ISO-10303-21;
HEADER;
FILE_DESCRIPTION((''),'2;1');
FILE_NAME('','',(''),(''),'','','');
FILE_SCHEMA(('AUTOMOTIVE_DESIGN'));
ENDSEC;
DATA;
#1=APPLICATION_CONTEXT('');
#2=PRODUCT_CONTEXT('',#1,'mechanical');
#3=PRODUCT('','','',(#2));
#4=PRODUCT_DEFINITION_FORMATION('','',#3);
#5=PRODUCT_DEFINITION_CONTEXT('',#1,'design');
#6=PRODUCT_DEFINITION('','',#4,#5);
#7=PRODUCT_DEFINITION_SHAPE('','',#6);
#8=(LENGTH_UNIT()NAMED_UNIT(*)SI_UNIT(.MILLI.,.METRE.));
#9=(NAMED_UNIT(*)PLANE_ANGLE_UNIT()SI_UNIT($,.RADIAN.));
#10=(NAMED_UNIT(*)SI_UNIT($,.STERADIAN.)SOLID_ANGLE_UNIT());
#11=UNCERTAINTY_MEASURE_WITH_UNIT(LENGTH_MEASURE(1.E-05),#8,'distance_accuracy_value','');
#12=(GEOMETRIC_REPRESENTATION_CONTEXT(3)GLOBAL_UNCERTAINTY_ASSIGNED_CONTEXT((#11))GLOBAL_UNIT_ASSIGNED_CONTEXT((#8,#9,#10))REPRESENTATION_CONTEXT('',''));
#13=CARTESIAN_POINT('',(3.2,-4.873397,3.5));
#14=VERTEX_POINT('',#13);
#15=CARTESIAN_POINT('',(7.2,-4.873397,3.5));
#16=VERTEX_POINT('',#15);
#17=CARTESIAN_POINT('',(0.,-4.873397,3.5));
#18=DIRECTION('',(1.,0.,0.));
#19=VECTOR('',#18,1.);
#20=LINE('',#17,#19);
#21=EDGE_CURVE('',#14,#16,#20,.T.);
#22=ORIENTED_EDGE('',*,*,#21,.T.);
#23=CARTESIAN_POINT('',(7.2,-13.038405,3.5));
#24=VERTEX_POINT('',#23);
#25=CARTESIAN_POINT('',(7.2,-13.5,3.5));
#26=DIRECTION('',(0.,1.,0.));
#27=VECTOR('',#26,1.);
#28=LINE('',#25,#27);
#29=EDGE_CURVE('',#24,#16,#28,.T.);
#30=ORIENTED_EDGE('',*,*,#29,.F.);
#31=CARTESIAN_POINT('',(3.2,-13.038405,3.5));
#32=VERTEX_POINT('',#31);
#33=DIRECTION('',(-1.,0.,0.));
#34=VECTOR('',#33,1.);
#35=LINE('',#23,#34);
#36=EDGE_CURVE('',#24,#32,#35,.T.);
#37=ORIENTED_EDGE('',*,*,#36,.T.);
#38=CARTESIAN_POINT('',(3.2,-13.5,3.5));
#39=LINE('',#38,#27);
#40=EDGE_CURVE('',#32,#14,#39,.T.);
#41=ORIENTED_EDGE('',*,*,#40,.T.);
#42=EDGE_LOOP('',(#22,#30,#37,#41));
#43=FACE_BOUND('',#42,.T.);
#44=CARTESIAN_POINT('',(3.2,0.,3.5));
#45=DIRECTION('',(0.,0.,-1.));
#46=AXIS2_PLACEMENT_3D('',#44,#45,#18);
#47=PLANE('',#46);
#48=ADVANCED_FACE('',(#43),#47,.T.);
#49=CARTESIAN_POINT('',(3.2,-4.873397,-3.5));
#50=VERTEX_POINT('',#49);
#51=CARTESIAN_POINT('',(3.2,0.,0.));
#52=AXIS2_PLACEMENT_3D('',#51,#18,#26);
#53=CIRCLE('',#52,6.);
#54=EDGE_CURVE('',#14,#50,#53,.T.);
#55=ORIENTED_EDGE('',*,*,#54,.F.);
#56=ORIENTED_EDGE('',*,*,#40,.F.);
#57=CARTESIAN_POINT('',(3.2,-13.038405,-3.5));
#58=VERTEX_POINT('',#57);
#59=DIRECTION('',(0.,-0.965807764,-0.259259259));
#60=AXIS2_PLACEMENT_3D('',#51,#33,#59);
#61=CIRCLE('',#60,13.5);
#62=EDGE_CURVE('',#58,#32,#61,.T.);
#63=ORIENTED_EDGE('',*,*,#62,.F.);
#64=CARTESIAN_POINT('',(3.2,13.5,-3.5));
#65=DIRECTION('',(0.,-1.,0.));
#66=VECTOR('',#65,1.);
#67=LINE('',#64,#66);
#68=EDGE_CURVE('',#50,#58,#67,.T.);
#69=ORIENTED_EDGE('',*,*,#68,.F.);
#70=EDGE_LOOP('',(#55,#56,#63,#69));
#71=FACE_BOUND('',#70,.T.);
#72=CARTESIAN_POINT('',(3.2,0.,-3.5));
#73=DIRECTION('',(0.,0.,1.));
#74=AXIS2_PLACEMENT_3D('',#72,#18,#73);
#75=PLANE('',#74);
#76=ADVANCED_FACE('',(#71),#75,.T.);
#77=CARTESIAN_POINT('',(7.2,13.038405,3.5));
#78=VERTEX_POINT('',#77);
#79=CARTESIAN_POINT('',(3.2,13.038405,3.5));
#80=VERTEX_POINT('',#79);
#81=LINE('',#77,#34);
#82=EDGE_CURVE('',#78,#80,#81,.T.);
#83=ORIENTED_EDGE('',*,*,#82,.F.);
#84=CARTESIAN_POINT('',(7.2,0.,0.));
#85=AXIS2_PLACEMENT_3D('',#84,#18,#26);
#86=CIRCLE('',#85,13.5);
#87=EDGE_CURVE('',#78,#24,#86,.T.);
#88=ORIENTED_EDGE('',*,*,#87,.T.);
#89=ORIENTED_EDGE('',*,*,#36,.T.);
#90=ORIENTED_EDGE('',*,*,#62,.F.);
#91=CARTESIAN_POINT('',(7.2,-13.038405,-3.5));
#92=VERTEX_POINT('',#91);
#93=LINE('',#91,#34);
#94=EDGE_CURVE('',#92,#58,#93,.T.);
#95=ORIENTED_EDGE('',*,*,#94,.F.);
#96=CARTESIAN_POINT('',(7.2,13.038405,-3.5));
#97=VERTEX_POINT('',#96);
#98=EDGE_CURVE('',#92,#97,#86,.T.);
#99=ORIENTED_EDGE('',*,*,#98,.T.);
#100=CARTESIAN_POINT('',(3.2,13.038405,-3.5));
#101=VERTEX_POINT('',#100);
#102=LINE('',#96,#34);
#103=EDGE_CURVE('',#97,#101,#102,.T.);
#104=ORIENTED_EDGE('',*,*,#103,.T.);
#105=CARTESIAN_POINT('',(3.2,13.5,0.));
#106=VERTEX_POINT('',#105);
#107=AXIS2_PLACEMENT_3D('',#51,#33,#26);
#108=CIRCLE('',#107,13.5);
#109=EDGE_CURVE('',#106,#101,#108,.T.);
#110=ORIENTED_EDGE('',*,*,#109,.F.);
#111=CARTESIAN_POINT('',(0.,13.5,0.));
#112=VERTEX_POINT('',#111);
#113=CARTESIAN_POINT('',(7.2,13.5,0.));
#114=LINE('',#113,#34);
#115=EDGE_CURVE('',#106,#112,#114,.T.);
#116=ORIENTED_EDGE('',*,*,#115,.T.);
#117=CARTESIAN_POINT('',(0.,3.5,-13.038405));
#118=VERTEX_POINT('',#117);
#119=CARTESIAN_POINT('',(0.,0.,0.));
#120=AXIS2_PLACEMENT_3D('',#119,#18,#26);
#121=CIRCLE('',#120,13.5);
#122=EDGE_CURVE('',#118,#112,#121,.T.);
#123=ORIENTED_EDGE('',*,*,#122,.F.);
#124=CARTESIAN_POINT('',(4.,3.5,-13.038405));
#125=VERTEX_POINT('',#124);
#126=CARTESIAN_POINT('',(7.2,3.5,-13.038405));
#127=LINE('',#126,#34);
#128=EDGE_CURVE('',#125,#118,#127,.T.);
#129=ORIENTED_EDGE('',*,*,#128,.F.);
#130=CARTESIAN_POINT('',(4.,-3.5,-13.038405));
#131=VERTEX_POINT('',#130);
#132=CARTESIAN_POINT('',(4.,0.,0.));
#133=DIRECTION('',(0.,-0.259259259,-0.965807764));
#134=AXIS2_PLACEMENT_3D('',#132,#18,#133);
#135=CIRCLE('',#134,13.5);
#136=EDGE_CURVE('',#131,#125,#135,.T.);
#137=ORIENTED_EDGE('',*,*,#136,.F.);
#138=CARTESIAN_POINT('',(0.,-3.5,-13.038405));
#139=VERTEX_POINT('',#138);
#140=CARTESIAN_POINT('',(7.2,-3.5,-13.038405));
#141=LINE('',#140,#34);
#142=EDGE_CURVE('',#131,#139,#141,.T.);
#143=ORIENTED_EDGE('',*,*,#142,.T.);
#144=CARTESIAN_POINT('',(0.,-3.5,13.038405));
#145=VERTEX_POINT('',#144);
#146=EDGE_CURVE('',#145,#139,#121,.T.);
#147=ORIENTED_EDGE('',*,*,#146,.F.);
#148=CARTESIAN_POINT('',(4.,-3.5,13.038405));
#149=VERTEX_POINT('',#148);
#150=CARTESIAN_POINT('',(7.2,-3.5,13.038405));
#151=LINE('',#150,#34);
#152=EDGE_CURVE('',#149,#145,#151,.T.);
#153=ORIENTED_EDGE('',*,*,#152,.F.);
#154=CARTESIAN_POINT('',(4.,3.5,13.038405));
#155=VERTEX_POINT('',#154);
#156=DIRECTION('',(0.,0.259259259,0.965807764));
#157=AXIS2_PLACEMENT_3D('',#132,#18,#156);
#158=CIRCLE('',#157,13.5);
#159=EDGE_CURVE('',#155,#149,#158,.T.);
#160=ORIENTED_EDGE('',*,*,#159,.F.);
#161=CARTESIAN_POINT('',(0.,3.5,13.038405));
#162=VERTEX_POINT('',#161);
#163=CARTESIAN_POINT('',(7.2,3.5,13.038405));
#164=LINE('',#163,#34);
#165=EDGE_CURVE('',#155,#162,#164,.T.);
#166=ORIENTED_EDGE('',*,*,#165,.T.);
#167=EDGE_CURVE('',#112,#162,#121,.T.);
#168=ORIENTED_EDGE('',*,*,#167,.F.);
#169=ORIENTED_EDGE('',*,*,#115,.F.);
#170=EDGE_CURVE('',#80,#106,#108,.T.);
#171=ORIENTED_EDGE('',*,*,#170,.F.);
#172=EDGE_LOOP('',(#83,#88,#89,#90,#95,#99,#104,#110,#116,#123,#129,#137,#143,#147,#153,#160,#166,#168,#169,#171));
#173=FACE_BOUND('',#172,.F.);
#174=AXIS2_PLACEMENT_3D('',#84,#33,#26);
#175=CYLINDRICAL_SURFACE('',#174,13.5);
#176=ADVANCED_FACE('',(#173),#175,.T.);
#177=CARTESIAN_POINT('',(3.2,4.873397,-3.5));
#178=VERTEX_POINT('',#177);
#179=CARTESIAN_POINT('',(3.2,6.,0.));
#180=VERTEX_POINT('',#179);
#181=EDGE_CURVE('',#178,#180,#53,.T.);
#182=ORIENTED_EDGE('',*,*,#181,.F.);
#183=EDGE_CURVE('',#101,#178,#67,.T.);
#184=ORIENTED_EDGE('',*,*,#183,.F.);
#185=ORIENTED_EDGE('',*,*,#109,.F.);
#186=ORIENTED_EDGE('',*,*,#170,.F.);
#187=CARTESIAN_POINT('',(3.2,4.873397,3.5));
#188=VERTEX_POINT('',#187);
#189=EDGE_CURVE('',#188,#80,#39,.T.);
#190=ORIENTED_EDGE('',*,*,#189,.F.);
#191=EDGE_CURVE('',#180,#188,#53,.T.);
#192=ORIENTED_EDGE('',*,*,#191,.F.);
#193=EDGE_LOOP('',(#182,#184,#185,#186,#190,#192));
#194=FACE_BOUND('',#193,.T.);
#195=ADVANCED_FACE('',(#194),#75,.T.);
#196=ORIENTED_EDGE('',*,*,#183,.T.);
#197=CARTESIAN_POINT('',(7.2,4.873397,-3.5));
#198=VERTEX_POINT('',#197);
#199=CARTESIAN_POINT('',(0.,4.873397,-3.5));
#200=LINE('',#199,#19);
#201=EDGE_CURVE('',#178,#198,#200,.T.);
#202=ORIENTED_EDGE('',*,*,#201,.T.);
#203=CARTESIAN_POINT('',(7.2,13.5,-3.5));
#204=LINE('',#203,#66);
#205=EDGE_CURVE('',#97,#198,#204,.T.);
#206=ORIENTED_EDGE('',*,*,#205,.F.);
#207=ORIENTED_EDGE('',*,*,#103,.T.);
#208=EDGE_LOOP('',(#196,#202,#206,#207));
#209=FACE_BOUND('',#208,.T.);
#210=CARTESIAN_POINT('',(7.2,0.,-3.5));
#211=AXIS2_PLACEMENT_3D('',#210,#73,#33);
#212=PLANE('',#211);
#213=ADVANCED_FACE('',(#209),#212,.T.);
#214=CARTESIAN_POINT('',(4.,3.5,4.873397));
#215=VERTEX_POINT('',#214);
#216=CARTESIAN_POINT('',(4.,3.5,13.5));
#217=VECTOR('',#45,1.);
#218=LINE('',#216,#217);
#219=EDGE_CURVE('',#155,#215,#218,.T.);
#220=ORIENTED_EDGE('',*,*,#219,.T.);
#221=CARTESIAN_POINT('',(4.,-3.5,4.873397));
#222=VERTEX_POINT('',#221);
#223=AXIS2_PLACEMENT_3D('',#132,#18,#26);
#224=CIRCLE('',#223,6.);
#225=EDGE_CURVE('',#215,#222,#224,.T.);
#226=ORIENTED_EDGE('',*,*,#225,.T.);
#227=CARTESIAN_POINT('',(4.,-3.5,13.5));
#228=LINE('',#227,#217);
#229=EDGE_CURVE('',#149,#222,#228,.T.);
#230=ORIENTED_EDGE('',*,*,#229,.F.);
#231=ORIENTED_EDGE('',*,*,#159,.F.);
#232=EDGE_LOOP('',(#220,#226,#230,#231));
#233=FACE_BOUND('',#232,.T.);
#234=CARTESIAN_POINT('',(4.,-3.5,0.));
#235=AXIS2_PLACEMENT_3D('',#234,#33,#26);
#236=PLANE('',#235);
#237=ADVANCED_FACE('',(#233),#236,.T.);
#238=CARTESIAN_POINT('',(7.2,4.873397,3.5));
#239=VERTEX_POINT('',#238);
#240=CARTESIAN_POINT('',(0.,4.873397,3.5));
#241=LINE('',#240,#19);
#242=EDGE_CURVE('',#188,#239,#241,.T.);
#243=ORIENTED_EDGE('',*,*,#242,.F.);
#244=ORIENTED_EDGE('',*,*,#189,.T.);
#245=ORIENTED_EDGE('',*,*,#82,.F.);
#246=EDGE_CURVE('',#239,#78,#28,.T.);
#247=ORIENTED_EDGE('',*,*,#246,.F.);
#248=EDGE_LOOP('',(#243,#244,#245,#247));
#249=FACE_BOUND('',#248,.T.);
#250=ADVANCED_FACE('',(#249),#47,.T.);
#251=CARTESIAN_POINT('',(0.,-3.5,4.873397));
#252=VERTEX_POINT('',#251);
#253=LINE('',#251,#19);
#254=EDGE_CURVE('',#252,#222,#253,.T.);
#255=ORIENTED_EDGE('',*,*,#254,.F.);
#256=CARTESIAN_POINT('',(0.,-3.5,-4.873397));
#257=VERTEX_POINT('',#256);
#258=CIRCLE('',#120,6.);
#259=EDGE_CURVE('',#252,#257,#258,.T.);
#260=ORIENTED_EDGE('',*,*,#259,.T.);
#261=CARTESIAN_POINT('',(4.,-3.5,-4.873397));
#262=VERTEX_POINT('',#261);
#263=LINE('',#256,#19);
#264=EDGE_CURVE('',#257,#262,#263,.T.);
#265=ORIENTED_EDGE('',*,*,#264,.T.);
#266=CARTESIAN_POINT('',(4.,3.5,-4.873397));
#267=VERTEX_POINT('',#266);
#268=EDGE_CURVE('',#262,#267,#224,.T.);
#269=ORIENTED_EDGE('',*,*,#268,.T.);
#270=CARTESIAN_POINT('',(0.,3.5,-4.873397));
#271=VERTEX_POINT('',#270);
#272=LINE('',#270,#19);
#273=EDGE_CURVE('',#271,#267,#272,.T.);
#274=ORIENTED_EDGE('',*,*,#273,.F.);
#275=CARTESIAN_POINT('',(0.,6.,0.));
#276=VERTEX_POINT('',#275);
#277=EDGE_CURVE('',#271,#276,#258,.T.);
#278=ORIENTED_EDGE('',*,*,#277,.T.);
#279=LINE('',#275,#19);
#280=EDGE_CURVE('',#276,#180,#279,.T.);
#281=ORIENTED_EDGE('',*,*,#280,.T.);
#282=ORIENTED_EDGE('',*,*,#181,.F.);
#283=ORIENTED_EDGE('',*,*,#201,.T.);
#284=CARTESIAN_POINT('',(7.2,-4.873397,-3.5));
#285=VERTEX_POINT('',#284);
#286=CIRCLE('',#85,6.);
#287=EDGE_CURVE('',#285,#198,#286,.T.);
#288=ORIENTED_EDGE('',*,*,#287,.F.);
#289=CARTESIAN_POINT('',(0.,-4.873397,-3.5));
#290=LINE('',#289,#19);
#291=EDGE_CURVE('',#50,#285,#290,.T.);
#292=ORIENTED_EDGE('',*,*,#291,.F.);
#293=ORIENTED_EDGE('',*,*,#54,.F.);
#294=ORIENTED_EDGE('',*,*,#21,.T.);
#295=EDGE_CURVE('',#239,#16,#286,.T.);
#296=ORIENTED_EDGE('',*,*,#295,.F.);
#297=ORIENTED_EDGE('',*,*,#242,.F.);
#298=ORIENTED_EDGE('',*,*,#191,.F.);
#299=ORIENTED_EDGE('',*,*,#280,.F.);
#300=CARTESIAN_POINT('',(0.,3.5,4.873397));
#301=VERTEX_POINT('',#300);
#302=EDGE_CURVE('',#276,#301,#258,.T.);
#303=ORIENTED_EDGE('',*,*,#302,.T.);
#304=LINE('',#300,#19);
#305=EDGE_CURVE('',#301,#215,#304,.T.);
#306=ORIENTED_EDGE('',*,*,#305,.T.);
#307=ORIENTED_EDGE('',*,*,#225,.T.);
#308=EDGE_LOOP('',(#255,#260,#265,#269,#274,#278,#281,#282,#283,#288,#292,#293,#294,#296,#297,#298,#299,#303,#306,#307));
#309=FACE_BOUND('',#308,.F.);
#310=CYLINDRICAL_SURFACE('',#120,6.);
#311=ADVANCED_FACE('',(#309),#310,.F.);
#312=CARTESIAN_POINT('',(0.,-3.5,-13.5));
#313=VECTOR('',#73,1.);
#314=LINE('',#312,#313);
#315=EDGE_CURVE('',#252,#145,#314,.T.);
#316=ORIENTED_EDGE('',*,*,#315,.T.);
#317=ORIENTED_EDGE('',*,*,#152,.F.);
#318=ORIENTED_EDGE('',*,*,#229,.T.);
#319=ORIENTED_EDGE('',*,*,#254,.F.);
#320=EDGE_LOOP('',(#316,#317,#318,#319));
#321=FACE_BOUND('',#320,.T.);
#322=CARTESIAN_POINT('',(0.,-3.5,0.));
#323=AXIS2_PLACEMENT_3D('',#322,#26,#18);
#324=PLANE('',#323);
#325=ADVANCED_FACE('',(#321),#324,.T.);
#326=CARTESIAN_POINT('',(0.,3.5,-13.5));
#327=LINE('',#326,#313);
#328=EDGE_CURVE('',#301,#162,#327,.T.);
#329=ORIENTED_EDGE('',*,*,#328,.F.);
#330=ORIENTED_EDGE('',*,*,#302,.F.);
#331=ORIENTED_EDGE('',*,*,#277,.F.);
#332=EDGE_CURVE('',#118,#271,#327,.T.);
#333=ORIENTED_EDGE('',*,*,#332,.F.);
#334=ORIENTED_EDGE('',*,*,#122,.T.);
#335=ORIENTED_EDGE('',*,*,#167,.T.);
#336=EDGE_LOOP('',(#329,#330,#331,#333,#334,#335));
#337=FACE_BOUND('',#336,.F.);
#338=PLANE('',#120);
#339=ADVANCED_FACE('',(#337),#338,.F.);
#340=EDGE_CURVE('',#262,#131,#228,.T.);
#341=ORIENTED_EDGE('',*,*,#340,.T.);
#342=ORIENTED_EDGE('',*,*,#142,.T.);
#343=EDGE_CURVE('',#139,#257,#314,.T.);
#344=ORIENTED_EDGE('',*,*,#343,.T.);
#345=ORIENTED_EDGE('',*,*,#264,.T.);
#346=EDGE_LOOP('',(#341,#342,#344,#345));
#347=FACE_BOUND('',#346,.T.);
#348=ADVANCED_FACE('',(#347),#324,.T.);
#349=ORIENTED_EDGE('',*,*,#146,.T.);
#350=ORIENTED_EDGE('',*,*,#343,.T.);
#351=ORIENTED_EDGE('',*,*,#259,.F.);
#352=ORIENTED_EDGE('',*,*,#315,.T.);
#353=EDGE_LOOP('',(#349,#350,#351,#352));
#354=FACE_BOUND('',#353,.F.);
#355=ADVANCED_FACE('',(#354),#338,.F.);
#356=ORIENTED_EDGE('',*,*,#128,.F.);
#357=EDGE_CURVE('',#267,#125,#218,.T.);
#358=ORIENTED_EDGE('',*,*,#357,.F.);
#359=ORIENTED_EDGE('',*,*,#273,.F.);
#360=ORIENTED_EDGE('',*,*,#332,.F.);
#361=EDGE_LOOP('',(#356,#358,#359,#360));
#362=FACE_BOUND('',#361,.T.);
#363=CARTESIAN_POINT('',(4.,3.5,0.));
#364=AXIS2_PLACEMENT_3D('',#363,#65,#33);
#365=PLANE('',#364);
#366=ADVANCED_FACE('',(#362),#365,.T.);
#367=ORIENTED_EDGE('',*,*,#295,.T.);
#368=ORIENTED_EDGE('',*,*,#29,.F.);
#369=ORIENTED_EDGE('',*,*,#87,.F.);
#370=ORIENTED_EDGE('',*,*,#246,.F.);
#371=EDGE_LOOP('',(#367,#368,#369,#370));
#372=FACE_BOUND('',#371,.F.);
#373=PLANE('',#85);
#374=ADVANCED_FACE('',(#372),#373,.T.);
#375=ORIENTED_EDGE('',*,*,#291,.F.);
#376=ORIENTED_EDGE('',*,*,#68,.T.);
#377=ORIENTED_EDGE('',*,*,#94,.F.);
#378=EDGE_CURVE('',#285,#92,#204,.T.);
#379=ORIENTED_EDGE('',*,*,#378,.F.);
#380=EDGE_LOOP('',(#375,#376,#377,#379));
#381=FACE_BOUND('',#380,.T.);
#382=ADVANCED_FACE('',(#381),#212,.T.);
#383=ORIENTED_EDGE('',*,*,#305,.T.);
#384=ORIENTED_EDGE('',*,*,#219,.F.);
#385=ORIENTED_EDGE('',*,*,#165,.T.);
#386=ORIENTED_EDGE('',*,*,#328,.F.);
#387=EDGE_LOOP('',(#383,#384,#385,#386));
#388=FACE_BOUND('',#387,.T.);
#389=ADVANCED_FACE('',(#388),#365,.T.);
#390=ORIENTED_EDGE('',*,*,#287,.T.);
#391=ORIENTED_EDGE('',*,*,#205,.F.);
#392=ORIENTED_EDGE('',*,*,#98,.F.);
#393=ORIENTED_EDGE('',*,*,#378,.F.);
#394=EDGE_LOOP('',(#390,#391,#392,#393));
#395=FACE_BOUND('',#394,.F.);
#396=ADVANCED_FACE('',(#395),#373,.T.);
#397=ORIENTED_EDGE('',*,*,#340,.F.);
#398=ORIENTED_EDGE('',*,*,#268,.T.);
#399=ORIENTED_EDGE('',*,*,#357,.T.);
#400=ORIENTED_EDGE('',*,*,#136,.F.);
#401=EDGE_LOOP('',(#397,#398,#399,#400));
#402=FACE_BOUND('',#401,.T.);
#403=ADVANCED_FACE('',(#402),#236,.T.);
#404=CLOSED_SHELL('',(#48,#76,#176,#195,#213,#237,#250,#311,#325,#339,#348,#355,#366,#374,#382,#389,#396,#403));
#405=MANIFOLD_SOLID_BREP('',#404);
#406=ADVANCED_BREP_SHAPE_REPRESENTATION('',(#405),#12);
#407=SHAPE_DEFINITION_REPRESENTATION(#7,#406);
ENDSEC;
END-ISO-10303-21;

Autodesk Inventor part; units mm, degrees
sketch "Sketch_1" plane through (0, 0, 0) normal (0, 0, 1) x (1, 0, 0)
  line L0 (7.2, 0) -> (0, 0)
  line L1 (0, 6) -> (7.2, 6)
  line L2 (7.2, 6) -> (7.2, 13.5)
  line L3 (7.2, 13.5) -> (0, 13.5)
  line L4 (0, 13.5) -> (0, 6)
revolve "Revolution1" add sketch "Sketch_1" angle 360 about axis through (7.2, 0, 0) along (1, 0, 0)
sketch "Sketch_2" plane through (0, 0, 0) normal (0, 0, 1) x (1, 0, 0)
  line L0 (0, 3.5) -> (0, -3.5)
  line L1 (0, -3.5) -> (4, -3.5)
  line L2 (4, -3.5) -> (4, 3.5)
  line L3 (4, 3.5) -> (0, 3.5)
extrude "Extrusion1" cut sketch "Sketch_2" along normal mid plane 27
sketch "Sketch_3" plane through (0, 0, 0) normal (0, 1, 0) x (-1, 0, 0)
  line L0 (-3.2, 3.5) -> (-7.2, 3.5)
  line L1 (-7.2, 3.5) -> (-7.2, -3.5)
  line L2 (-7.2, -3.5) -> (-3.2, -3.5)
  line L3 (-3.2, -3.5) -> (-3.2, 3.5)
extrude "Extrusion2" cut sketch "Sketch_3" along normal mid plane 27
ref_plane "C_XY" through (3.6, 0, 0) normal (1, 0, 0) x (0, 0, -1)
ref_plane "C_YZ" through (3.6, 0, 0) normal (0, 0, -1) x (0, 1, 0)
ref_plane "C_ZX" through (3.6, 0, 0) normal (0, 1, 0) x (1, 0, 0)
properties part number "MCOC_spacer26"
